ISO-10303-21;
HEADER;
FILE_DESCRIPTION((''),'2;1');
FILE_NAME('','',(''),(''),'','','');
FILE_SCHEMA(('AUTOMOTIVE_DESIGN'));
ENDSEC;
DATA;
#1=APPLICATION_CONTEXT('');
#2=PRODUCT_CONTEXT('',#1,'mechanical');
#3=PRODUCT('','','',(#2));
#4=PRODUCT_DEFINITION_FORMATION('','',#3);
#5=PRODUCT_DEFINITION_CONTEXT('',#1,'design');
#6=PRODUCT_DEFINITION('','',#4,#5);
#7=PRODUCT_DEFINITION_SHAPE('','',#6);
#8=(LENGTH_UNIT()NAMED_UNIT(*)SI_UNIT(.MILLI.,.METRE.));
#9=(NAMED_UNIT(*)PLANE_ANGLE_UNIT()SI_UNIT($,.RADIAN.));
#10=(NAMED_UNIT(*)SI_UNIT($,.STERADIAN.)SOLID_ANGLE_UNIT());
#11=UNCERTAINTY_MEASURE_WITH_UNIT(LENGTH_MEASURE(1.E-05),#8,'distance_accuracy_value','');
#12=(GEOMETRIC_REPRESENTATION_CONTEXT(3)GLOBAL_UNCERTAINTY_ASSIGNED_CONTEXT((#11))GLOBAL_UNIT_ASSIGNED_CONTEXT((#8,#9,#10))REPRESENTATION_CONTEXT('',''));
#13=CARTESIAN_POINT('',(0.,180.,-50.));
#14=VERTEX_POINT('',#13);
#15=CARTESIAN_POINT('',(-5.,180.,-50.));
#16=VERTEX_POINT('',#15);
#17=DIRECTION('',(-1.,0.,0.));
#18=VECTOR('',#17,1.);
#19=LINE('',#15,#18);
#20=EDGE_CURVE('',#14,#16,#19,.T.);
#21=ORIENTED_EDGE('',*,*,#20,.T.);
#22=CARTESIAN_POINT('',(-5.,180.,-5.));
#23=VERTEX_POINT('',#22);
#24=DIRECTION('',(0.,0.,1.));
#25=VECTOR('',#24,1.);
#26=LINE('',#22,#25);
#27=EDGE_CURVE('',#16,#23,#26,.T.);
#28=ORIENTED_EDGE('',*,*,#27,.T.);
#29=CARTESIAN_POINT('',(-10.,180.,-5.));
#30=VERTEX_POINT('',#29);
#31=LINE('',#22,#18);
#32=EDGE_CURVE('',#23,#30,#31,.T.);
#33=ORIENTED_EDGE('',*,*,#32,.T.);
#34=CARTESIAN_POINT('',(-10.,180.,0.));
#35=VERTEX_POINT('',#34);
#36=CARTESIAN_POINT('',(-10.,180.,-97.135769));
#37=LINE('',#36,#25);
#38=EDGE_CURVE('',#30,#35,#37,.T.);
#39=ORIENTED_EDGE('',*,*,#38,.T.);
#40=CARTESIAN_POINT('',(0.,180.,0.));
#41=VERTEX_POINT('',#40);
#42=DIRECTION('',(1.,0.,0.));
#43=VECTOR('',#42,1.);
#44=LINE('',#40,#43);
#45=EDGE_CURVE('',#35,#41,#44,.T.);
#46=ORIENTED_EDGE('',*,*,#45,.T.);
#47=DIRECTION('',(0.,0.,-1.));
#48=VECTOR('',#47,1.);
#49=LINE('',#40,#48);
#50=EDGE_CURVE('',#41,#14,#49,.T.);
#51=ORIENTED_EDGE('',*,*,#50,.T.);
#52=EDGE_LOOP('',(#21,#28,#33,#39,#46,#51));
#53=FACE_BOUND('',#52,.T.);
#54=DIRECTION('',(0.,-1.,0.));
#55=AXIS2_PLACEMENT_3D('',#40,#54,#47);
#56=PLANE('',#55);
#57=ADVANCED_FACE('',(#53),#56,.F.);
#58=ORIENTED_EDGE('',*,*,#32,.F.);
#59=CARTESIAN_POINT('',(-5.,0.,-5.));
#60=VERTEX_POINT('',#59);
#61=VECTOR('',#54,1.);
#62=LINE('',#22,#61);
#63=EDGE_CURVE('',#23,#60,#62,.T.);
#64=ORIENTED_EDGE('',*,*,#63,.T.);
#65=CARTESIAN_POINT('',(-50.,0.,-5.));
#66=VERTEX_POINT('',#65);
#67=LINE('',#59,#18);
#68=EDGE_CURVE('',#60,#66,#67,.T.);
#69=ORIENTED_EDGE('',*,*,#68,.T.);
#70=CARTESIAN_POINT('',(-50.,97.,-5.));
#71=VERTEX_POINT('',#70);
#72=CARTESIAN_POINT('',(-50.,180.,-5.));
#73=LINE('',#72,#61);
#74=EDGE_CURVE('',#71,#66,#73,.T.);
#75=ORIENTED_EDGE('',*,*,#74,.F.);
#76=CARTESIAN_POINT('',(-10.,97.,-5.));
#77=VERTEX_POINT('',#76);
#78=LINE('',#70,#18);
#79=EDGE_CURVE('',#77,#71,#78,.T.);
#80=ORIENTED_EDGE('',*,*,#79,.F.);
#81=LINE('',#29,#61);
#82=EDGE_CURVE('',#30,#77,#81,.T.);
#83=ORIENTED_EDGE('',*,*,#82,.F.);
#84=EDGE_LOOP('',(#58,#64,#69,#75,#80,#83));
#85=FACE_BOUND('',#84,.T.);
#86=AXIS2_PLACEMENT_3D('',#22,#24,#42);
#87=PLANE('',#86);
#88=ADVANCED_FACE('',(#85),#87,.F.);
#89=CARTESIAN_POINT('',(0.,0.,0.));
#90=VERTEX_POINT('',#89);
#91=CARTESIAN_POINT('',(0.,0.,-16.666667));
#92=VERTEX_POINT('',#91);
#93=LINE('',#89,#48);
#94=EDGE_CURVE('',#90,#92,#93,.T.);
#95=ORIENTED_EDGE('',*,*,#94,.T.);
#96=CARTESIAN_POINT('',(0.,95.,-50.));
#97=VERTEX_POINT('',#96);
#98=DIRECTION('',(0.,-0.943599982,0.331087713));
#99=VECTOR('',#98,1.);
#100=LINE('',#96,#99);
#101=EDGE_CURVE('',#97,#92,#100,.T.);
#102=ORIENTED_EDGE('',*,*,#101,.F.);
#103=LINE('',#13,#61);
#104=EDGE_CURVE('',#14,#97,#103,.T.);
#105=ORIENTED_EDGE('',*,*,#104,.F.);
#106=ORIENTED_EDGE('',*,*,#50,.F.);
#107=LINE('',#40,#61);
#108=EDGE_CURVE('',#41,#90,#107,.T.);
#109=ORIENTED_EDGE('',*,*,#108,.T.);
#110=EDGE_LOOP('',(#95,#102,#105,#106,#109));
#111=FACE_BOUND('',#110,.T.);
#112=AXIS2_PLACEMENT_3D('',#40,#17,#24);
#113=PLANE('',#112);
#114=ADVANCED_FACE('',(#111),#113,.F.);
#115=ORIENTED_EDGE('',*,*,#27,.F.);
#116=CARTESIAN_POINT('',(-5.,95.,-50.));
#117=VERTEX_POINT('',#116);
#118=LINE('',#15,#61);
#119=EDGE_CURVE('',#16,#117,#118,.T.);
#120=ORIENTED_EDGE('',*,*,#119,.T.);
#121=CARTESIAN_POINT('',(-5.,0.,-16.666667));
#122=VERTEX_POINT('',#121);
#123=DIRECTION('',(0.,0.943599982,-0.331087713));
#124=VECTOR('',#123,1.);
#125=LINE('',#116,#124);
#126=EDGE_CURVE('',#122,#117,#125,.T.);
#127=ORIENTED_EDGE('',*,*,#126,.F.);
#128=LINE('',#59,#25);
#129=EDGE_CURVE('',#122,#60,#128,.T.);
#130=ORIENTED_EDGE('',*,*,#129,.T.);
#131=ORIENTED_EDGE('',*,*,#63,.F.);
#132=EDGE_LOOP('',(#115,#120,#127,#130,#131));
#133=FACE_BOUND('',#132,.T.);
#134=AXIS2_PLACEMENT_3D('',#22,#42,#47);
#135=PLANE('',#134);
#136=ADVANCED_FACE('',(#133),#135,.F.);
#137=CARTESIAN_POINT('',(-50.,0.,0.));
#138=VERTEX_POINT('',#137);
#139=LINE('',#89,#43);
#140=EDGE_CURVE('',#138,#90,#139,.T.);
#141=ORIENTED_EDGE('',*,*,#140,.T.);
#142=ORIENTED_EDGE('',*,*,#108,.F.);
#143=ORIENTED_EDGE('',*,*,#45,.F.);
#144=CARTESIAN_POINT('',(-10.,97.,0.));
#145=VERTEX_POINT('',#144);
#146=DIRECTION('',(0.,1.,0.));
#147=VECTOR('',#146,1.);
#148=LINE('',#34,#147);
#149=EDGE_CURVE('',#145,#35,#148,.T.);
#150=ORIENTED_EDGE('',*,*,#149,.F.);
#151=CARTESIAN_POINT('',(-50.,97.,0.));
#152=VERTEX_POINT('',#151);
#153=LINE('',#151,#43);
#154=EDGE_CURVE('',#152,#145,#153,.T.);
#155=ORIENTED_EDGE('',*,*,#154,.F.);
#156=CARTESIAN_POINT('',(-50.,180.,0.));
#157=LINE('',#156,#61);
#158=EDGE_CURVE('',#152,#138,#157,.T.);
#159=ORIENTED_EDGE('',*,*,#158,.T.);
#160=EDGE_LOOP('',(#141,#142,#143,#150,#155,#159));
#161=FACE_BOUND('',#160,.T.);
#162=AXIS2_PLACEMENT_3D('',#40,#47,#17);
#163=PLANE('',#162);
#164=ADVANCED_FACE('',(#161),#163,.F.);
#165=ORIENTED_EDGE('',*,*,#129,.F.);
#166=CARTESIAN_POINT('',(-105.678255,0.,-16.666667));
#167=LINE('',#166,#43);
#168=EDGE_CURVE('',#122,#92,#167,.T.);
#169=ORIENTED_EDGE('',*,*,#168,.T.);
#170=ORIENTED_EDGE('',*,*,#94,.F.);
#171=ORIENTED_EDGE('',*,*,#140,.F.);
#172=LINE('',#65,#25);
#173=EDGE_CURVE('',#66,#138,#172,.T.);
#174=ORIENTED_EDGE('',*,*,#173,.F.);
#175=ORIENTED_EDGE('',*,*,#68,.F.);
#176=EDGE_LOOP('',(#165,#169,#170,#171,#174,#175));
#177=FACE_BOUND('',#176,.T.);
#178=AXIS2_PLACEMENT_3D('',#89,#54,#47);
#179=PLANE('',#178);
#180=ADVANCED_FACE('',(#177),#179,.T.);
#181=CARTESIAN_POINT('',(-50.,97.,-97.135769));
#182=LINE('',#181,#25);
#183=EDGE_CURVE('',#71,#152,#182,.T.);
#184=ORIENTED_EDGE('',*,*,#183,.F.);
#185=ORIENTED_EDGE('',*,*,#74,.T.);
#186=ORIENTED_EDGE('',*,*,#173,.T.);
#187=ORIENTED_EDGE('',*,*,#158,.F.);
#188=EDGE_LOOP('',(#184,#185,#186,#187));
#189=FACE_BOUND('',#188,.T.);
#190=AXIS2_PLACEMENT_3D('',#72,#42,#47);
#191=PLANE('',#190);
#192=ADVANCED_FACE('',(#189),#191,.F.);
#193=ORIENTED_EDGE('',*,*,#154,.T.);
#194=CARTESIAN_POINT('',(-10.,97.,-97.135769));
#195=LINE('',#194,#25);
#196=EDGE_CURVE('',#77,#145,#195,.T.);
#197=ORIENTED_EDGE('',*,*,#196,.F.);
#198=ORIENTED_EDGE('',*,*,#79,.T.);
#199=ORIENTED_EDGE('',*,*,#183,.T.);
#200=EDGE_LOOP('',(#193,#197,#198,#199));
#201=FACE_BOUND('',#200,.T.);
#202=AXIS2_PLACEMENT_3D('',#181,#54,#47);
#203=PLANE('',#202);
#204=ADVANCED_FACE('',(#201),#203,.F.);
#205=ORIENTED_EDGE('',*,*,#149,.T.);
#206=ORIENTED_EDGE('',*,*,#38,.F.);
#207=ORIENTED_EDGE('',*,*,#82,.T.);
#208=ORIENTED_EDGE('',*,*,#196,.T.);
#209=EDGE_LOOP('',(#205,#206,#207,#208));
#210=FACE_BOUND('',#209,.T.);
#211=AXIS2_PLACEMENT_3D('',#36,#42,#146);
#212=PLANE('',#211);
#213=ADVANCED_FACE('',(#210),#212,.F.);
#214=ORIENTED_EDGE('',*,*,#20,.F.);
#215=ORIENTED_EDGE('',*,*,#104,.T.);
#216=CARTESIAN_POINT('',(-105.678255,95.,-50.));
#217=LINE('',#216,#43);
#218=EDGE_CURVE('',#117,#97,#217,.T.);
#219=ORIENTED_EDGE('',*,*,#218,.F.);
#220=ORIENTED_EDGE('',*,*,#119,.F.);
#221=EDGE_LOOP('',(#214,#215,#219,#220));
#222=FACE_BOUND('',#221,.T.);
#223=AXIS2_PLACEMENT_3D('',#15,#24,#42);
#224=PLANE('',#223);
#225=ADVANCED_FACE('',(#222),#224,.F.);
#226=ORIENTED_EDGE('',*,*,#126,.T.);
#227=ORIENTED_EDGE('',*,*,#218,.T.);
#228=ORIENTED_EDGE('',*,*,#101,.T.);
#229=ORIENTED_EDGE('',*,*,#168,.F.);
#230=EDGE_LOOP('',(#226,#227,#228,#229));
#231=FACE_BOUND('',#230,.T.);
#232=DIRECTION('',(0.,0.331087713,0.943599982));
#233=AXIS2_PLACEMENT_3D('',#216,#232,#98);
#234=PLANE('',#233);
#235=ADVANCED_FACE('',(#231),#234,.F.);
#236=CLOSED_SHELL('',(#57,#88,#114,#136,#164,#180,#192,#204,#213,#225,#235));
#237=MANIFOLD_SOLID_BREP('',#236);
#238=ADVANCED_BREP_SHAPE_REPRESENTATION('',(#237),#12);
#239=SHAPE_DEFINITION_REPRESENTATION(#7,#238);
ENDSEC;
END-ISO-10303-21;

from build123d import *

# Parameters (mm, degrees)
SALIENTE_EXTRUIR1_DEPTH = 180
CORTAR_EXTRUIR1_DEPTH   = 5
CROQUIS3_W              = 40
CROQUIS3_H              = 83
CORTAR_EXTRUIR2_DEPTH   = 5


with BuildPart() as part:
    # Croquis1 → Saliente-Extruir1 (new body)
    with BuildSketch(Plane(origin=(0, 0, 0), x_dir=(1, 0, 0), z_dir=(0, 1, 0))):
        Polygon((0, 0), (-50, 0), (-50, 5), (-5, 5), (-5, 50), (0, 50), align=None)
    extrude(amount=SALIENTE_EXTRUIR1_DEPTH)

    # Croquis2 → Cortar-Extruir1 (cut)
    with BuildSketch(Plane(origin=(0, 0, 0), x_dir=(0, 0, -1), z_dir=(1, 0, 0))):
        Polygon((50, 95), (16.666666667, 0), (50, 0), align=None)
    extrude(amount=-CORTAR_EXTRUIR1_DEPTH, mode=Mode.SUBTRACT)

    # Croquis3 → Cortar-Extruir2 (cut)
    with BuildSketch(Plane.XY):
        with Locations((-30, 138.5)):
            Rectangle(CROQUIS3_W, CROQUIS3_H)
    extrude(amount=-CORTAR_EXTRUIR2_DEPTH, mode=Mode.SUBTRACT)


solid = part.part
